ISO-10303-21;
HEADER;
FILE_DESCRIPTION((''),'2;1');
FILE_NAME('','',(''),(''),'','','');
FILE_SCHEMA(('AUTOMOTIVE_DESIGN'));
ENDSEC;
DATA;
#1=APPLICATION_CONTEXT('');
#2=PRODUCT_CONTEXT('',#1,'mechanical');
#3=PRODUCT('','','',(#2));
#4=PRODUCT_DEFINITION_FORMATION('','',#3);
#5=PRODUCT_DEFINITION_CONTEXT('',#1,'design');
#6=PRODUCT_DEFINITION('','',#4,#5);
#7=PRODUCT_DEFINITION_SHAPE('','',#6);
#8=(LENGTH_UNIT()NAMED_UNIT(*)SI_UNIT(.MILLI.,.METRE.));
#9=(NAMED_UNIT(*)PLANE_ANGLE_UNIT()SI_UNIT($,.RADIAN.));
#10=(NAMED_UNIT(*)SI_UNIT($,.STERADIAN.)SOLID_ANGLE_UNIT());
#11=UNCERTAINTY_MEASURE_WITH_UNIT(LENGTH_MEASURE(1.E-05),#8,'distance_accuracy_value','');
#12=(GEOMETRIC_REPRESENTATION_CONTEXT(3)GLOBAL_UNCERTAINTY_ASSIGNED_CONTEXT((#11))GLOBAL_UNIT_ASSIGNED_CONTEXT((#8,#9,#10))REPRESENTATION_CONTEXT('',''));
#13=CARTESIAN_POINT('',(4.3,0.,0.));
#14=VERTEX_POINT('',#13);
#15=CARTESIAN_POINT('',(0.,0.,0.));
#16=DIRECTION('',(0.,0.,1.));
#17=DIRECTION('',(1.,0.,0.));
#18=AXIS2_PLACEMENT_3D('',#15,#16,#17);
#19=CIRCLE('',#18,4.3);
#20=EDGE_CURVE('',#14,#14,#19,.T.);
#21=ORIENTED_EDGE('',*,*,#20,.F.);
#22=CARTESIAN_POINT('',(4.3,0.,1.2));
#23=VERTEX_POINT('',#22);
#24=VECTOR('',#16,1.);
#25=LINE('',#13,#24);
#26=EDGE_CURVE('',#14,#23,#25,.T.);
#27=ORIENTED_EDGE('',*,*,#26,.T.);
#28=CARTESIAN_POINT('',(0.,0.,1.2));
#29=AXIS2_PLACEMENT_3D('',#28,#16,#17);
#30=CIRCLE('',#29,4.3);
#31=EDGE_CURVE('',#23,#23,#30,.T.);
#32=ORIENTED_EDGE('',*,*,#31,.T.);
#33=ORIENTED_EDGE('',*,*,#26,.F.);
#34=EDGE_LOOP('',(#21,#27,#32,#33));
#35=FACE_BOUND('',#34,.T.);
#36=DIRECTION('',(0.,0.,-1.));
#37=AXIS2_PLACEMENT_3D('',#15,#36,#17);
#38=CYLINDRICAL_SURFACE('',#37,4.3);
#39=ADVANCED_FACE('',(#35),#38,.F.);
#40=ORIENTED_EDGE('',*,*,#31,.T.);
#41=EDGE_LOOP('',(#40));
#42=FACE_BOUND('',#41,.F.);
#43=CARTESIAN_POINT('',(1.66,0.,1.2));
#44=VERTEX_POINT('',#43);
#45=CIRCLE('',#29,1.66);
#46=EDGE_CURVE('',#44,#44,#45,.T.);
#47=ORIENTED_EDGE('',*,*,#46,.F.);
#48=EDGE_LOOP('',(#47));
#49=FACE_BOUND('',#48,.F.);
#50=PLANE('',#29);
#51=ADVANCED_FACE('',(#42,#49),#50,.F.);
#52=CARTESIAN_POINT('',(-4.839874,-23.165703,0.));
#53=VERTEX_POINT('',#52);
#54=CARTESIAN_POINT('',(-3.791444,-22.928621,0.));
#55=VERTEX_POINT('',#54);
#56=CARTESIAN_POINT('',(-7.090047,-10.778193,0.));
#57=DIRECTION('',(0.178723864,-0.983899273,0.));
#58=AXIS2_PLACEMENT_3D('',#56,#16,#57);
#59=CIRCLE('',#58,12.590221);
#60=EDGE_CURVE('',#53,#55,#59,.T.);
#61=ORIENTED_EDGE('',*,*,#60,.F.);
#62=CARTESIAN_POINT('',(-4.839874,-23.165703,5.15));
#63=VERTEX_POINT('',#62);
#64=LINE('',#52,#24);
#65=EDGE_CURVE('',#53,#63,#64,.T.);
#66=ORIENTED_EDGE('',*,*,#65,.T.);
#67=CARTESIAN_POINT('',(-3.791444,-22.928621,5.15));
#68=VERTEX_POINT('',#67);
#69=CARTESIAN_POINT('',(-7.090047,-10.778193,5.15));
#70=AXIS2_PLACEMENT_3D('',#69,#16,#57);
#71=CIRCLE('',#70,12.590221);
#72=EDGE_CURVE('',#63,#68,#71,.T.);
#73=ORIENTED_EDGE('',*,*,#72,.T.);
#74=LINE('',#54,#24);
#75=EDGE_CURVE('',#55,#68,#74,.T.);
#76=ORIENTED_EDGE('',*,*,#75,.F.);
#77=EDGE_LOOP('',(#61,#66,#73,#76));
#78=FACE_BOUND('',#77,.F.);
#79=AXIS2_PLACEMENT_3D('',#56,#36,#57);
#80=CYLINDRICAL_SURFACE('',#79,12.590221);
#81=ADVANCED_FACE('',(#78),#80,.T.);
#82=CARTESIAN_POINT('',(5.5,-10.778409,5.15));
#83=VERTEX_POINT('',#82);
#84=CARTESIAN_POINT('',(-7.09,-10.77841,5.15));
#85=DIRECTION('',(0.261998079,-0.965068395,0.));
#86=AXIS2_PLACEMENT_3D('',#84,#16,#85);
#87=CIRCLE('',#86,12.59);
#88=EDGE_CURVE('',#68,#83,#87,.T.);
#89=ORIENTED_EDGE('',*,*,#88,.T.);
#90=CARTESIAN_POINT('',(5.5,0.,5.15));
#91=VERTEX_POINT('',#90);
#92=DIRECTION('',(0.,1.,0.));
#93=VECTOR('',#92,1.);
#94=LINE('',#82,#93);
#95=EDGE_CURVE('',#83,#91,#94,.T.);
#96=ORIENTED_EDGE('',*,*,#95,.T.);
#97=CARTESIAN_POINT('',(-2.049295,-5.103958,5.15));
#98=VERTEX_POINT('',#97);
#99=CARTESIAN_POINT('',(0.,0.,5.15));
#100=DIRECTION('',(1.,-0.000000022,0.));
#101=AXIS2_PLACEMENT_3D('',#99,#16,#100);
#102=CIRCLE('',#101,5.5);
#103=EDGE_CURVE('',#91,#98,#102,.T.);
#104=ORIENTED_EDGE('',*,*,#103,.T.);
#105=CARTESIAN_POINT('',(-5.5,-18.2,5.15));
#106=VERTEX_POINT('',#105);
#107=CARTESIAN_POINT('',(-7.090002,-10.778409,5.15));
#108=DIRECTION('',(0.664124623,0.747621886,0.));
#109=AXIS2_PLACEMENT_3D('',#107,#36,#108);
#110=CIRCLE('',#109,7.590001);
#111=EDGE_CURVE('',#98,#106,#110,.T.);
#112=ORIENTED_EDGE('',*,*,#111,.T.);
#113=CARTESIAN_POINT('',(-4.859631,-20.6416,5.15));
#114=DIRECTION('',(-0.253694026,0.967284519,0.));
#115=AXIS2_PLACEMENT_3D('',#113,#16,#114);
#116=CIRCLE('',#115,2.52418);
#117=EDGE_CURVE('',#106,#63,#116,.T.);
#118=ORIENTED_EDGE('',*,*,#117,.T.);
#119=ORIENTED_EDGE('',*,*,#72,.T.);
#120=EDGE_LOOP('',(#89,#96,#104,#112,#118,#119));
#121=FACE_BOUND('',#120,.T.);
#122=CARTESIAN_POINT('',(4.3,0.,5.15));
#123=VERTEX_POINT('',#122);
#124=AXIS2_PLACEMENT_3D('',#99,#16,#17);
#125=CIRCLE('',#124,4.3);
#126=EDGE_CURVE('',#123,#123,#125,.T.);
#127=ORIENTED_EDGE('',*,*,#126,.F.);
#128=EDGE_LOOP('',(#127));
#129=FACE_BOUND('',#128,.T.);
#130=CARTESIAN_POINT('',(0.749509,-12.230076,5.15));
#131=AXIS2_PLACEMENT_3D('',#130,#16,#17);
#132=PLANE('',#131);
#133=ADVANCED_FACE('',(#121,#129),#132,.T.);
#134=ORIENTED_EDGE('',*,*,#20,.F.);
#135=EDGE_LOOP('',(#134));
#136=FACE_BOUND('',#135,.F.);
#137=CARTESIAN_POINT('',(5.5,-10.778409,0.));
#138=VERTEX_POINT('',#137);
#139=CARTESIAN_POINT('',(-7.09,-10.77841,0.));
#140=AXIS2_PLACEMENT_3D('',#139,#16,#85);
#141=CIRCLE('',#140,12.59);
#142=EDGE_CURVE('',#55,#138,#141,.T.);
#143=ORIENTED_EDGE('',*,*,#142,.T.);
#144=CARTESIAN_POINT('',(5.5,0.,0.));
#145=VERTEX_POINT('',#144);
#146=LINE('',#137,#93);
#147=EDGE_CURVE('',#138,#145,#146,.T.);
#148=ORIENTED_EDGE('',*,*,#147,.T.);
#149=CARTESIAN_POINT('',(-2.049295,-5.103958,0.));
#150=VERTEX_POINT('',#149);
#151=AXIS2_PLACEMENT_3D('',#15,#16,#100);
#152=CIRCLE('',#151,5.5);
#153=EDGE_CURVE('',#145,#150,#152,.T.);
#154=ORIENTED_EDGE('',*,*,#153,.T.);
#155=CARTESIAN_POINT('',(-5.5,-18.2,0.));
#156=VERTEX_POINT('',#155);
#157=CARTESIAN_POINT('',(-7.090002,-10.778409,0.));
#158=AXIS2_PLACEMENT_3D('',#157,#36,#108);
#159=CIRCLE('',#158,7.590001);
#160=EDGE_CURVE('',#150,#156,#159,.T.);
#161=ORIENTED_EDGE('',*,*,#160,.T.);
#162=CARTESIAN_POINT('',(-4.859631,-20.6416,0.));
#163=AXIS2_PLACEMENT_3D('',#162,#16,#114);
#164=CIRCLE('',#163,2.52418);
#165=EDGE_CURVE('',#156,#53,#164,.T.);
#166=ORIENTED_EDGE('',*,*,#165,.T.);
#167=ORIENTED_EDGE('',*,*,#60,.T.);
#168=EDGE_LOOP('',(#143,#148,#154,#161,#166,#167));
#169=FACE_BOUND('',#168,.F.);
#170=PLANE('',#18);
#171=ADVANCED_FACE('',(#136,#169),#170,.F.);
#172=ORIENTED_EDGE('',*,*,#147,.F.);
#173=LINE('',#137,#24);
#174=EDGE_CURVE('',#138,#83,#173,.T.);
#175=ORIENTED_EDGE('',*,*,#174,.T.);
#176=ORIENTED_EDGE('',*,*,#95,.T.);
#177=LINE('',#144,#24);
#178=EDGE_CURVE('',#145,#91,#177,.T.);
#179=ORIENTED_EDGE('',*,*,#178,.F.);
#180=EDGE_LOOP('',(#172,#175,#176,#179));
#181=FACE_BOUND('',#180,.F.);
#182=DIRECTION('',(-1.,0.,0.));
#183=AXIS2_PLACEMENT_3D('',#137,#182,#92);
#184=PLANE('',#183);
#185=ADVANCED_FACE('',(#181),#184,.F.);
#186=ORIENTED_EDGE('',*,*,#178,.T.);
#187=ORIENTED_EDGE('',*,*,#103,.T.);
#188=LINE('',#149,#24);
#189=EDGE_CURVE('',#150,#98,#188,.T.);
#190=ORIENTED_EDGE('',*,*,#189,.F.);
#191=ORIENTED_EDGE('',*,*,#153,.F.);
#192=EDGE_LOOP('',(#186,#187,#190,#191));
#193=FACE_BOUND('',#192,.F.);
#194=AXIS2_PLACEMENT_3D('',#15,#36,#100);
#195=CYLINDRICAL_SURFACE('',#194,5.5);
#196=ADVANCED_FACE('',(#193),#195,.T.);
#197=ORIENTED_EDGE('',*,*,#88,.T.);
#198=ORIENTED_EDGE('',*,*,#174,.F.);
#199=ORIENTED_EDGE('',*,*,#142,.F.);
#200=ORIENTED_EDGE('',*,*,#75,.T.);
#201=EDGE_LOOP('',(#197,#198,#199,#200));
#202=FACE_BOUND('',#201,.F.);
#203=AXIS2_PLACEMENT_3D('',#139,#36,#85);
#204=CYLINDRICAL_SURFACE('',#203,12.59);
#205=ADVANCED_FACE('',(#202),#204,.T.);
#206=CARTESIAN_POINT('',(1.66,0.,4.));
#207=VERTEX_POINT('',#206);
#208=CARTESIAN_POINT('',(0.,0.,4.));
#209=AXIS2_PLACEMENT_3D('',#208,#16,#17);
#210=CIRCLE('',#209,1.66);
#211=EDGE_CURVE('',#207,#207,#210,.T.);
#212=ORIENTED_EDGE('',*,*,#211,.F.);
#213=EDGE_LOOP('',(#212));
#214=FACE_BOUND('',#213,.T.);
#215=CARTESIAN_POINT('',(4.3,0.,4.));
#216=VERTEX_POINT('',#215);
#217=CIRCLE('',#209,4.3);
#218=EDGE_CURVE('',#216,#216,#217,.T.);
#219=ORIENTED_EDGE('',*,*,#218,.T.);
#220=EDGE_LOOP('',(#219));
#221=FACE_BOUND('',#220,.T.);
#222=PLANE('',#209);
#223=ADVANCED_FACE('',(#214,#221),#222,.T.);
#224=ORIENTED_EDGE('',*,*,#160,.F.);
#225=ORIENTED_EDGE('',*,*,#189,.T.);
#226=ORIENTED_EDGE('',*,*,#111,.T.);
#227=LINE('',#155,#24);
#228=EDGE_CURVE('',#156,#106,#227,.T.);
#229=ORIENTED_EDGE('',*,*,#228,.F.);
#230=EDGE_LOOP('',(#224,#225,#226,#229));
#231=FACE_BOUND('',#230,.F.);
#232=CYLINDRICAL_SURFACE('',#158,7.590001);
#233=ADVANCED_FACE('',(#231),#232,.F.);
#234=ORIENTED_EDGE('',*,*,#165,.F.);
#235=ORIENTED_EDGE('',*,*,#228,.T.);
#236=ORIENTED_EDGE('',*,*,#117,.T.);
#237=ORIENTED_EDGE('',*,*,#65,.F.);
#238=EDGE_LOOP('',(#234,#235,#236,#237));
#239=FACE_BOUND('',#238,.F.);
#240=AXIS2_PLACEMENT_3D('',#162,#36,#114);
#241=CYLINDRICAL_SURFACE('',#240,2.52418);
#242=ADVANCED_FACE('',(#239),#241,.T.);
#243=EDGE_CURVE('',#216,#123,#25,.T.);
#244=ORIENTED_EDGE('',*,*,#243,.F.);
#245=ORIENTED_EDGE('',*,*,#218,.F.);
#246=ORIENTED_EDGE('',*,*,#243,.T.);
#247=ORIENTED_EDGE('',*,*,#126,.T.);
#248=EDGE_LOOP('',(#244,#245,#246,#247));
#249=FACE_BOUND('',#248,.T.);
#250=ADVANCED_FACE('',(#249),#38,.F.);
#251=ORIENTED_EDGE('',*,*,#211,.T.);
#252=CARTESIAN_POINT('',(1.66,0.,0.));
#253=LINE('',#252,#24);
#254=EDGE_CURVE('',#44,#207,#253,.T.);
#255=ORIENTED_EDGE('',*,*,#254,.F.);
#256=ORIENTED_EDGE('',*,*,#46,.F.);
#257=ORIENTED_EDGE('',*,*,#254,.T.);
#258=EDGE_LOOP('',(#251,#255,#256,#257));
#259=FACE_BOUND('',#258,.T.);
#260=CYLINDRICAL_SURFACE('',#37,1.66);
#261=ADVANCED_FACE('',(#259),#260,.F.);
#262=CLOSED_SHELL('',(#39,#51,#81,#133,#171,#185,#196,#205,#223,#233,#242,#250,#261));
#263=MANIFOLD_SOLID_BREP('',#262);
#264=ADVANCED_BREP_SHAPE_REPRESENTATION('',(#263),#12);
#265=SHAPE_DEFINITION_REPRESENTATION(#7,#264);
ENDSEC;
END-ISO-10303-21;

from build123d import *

# Parameters (mm, degrees)
F0_R     = 4.3
F1_DEPTH = 5.15
F0_R_2   = 1.66
F2_DEPTH = 4
F3_DEPTH = 1.2


with BuildPart() as f1:
    # F0 (on Top) → F1 (new body)
    with BuildSketch(Plane.XY):
        with BuildLine():
            Line((5.5, -10.778409), (5.5, 0))
            ThreePointArc((5.5, 0), (3.080493, -4.556376), (-2.049295, -5.103958))
            ThreePointArc((-2.049295, -5.103958), (0.249491, -12.712308), (-5.5, -18.2))
            ThreePointArc((-5.5, -18.2), (-7.361798, -20.974231), (-4.839874, -23.165703))
            ThreePointArc((-4.839874, -23.165703), (-4.313128, -23.058356), (-3.791444, -22.928621))
            ThreePointArc((-3.791444, -22.928621), (2.910923, -18.426262), (5.5, -10.778409))
        make_face()
        with BuildLine():
            ThreePointArc((-2.049295, -5.103958), (3.080493, -4.556376), (5.5, 0))
            ThreePointArc((5.5, 0), (-3.080493, 4.556376), (-2.049295, -5.103958))
        make_face()
        Circle(F0_R, mode=Mode.SUBTRACT)
    extrude(amount=F1_DEPTH)

    # F0 (on Top) → F2 (join)
    with BuildSketch(Plane.XY):
        Circle(F0_R)
        Circle(F0_R_2, mode=Mode.SUBTRACT)
    extrude(amount=F2_DEPTH)

    # F0 (on Top) → F3 (cut)
    with BuildSketch(Plane.XY):
        Circle(F0_R)
        Circle(F0_R_2, mode=Mode.SUBTRACT)
    extrude(amount=F3_DEPTH, mode=Mode.SUBTRACT)


solid = f1.part
